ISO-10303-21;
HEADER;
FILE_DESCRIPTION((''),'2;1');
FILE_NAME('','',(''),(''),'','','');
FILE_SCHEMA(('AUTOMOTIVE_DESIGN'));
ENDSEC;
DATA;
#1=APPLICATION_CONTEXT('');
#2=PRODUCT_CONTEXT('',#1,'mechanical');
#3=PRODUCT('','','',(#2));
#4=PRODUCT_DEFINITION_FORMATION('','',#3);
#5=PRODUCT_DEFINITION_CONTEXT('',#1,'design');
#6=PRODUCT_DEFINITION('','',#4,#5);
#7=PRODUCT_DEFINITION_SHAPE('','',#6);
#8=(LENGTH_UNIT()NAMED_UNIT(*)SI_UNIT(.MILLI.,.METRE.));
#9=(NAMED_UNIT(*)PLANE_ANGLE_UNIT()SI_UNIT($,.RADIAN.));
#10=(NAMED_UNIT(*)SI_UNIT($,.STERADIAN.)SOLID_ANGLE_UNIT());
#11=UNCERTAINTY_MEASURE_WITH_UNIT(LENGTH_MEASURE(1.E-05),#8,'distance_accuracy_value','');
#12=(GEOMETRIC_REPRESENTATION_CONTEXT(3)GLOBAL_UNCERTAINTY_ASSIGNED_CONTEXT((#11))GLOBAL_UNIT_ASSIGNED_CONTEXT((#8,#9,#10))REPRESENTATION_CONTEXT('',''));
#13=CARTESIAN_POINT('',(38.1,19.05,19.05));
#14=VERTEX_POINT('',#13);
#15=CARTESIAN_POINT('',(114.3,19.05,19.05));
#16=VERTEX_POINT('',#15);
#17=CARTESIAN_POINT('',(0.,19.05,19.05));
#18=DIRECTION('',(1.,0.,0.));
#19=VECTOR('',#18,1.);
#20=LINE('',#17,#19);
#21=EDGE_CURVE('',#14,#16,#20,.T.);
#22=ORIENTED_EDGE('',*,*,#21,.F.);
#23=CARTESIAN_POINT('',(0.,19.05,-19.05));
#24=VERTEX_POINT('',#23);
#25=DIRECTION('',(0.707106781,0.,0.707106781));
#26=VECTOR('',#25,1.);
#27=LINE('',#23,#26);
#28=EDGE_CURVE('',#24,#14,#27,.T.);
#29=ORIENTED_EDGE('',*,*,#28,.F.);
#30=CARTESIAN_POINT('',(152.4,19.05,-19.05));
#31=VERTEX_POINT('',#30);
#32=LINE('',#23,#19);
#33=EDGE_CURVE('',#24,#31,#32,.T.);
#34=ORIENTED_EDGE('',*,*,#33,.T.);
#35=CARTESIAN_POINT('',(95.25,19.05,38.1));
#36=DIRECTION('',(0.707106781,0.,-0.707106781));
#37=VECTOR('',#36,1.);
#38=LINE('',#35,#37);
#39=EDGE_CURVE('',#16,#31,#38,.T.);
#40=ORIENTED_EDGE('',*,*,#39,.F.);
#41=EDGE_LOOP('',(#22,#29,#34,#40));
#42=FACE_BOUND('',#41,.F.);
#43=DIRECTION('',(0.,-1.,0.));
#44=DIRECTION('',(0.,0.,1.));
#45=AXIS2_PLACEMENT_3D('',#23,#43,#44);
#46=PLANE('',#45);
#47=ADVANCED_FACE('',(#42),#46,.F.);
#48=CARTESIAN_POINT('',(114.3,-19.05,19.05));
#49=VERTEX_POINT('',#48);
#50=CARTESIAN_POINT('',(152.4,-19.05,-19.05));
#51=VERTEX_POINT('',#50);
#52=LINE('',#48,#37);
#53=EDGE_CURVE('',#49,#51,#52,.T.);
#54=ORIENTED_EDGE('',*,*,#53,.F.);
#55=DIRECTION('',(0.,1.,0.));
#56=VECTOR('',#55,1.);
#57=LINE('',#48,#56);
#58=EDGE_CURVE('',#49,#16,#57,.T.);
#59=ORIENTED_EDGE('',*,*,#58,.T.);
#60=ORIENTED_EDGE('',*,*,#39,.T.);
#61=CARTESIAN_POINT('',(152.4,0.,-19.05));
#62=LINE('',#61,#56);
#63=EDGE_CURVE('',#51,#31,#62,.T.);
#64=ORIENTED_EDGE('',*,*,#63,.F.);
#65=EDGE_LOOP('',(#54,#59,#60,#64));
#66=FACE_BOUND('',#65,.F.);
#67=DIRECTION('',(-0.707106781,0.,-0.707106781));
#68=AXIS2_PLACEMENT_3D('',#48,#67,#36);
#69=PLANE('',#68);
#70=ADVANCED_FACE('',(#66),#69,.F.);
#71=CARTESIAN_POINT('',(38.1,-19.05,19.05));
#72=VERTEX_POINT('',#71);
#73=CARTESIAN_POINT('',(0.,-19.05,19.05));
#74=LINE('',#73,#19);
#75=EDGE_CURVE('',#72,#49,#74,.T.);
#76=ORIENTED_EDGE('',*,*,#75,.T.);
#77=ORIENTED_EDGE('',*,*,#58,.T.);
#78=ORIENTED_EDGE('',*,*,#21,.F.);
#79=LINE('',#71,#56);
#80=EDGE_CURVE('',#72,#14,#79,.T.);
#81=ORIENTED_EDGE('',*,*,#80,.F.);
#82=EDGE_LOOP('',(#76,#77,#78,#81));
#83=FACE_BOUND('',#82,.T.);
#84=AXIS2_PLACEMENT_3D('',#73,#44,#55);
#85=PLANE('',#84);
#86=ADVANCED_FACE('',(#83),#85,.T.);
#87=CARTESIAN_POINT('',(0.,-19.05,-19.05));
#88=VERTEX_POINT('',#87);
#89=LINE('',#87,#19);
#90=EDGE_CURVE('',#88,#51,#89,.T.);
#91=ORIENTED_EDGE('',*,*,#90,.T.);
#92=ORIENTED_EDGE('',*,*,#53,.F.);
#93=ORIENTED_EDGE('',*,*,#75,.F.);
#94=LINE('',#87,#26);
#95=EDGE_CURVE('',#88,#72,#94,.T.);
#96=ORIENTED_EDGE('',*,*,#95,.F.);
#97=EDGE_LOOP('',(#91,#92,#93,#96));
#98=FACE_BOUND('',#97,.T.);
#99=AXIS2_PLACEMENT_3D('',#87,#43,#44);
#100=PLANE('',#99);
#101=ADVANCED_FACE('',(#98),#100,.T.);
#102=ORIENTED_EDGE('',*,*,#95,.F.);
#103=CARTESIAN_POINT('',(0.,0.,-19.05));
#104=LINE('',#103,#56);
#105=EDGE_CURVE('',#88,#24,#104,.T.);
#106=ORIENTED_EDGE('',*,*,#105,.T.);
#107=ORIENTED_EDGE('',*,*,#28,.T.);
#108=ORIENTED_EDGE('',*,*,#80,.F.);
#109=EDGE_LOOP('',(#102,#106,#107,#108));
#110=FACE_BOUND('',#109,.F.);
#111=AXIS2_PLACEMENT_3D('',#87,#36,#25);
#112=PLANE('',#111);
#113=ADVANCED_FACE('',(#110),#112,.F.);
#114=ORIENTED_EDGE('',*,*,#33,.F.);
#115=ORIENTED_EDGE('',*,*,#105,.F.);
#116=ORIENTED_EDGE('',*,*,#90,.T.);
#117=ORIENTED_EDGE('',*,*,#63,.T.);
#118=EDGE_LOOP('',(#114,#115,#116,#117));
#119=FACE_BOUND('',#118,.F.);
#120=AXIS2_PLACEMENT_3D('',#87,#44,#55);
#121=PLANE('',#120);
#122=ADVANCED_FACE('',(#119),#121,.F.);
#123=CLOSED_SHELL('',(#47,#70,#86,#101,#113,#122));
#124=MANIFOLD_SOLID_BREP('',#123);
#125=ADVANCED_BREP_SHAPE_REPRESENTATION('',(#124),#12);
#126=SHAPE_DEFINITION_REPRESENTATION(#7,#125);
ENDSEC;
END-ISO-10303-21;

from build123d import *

# Parameters (mm, degrees)
F0_W     = 38.1
F0_H     = 38.1
F1_DEPTH = 152.4
F3_DEPTH = 38.101


with BuildPart() as f1:
    # F0 (on Right) → F1 (new body)
    with BuildSketch(Plane.YZ):
        Rectangle(F0_W, F0_H)
    extrude(amount=F1_DEPTH)

    # F2 (on face) → F3 (cut, through all)
    with BuildSketch(Plane.XZ.offset(19.05)):
        Polygon((0, 19.05), (0, -19.05), (38.1, 19.05), align=None)
        Polygon((114.3, 19.05), (152.4, -19.05), (152.4, 19.05), align=None)
    extrude(amount=-F3_DEPTH, mode=Mode.SUBTRACT)


solid = f1.part
